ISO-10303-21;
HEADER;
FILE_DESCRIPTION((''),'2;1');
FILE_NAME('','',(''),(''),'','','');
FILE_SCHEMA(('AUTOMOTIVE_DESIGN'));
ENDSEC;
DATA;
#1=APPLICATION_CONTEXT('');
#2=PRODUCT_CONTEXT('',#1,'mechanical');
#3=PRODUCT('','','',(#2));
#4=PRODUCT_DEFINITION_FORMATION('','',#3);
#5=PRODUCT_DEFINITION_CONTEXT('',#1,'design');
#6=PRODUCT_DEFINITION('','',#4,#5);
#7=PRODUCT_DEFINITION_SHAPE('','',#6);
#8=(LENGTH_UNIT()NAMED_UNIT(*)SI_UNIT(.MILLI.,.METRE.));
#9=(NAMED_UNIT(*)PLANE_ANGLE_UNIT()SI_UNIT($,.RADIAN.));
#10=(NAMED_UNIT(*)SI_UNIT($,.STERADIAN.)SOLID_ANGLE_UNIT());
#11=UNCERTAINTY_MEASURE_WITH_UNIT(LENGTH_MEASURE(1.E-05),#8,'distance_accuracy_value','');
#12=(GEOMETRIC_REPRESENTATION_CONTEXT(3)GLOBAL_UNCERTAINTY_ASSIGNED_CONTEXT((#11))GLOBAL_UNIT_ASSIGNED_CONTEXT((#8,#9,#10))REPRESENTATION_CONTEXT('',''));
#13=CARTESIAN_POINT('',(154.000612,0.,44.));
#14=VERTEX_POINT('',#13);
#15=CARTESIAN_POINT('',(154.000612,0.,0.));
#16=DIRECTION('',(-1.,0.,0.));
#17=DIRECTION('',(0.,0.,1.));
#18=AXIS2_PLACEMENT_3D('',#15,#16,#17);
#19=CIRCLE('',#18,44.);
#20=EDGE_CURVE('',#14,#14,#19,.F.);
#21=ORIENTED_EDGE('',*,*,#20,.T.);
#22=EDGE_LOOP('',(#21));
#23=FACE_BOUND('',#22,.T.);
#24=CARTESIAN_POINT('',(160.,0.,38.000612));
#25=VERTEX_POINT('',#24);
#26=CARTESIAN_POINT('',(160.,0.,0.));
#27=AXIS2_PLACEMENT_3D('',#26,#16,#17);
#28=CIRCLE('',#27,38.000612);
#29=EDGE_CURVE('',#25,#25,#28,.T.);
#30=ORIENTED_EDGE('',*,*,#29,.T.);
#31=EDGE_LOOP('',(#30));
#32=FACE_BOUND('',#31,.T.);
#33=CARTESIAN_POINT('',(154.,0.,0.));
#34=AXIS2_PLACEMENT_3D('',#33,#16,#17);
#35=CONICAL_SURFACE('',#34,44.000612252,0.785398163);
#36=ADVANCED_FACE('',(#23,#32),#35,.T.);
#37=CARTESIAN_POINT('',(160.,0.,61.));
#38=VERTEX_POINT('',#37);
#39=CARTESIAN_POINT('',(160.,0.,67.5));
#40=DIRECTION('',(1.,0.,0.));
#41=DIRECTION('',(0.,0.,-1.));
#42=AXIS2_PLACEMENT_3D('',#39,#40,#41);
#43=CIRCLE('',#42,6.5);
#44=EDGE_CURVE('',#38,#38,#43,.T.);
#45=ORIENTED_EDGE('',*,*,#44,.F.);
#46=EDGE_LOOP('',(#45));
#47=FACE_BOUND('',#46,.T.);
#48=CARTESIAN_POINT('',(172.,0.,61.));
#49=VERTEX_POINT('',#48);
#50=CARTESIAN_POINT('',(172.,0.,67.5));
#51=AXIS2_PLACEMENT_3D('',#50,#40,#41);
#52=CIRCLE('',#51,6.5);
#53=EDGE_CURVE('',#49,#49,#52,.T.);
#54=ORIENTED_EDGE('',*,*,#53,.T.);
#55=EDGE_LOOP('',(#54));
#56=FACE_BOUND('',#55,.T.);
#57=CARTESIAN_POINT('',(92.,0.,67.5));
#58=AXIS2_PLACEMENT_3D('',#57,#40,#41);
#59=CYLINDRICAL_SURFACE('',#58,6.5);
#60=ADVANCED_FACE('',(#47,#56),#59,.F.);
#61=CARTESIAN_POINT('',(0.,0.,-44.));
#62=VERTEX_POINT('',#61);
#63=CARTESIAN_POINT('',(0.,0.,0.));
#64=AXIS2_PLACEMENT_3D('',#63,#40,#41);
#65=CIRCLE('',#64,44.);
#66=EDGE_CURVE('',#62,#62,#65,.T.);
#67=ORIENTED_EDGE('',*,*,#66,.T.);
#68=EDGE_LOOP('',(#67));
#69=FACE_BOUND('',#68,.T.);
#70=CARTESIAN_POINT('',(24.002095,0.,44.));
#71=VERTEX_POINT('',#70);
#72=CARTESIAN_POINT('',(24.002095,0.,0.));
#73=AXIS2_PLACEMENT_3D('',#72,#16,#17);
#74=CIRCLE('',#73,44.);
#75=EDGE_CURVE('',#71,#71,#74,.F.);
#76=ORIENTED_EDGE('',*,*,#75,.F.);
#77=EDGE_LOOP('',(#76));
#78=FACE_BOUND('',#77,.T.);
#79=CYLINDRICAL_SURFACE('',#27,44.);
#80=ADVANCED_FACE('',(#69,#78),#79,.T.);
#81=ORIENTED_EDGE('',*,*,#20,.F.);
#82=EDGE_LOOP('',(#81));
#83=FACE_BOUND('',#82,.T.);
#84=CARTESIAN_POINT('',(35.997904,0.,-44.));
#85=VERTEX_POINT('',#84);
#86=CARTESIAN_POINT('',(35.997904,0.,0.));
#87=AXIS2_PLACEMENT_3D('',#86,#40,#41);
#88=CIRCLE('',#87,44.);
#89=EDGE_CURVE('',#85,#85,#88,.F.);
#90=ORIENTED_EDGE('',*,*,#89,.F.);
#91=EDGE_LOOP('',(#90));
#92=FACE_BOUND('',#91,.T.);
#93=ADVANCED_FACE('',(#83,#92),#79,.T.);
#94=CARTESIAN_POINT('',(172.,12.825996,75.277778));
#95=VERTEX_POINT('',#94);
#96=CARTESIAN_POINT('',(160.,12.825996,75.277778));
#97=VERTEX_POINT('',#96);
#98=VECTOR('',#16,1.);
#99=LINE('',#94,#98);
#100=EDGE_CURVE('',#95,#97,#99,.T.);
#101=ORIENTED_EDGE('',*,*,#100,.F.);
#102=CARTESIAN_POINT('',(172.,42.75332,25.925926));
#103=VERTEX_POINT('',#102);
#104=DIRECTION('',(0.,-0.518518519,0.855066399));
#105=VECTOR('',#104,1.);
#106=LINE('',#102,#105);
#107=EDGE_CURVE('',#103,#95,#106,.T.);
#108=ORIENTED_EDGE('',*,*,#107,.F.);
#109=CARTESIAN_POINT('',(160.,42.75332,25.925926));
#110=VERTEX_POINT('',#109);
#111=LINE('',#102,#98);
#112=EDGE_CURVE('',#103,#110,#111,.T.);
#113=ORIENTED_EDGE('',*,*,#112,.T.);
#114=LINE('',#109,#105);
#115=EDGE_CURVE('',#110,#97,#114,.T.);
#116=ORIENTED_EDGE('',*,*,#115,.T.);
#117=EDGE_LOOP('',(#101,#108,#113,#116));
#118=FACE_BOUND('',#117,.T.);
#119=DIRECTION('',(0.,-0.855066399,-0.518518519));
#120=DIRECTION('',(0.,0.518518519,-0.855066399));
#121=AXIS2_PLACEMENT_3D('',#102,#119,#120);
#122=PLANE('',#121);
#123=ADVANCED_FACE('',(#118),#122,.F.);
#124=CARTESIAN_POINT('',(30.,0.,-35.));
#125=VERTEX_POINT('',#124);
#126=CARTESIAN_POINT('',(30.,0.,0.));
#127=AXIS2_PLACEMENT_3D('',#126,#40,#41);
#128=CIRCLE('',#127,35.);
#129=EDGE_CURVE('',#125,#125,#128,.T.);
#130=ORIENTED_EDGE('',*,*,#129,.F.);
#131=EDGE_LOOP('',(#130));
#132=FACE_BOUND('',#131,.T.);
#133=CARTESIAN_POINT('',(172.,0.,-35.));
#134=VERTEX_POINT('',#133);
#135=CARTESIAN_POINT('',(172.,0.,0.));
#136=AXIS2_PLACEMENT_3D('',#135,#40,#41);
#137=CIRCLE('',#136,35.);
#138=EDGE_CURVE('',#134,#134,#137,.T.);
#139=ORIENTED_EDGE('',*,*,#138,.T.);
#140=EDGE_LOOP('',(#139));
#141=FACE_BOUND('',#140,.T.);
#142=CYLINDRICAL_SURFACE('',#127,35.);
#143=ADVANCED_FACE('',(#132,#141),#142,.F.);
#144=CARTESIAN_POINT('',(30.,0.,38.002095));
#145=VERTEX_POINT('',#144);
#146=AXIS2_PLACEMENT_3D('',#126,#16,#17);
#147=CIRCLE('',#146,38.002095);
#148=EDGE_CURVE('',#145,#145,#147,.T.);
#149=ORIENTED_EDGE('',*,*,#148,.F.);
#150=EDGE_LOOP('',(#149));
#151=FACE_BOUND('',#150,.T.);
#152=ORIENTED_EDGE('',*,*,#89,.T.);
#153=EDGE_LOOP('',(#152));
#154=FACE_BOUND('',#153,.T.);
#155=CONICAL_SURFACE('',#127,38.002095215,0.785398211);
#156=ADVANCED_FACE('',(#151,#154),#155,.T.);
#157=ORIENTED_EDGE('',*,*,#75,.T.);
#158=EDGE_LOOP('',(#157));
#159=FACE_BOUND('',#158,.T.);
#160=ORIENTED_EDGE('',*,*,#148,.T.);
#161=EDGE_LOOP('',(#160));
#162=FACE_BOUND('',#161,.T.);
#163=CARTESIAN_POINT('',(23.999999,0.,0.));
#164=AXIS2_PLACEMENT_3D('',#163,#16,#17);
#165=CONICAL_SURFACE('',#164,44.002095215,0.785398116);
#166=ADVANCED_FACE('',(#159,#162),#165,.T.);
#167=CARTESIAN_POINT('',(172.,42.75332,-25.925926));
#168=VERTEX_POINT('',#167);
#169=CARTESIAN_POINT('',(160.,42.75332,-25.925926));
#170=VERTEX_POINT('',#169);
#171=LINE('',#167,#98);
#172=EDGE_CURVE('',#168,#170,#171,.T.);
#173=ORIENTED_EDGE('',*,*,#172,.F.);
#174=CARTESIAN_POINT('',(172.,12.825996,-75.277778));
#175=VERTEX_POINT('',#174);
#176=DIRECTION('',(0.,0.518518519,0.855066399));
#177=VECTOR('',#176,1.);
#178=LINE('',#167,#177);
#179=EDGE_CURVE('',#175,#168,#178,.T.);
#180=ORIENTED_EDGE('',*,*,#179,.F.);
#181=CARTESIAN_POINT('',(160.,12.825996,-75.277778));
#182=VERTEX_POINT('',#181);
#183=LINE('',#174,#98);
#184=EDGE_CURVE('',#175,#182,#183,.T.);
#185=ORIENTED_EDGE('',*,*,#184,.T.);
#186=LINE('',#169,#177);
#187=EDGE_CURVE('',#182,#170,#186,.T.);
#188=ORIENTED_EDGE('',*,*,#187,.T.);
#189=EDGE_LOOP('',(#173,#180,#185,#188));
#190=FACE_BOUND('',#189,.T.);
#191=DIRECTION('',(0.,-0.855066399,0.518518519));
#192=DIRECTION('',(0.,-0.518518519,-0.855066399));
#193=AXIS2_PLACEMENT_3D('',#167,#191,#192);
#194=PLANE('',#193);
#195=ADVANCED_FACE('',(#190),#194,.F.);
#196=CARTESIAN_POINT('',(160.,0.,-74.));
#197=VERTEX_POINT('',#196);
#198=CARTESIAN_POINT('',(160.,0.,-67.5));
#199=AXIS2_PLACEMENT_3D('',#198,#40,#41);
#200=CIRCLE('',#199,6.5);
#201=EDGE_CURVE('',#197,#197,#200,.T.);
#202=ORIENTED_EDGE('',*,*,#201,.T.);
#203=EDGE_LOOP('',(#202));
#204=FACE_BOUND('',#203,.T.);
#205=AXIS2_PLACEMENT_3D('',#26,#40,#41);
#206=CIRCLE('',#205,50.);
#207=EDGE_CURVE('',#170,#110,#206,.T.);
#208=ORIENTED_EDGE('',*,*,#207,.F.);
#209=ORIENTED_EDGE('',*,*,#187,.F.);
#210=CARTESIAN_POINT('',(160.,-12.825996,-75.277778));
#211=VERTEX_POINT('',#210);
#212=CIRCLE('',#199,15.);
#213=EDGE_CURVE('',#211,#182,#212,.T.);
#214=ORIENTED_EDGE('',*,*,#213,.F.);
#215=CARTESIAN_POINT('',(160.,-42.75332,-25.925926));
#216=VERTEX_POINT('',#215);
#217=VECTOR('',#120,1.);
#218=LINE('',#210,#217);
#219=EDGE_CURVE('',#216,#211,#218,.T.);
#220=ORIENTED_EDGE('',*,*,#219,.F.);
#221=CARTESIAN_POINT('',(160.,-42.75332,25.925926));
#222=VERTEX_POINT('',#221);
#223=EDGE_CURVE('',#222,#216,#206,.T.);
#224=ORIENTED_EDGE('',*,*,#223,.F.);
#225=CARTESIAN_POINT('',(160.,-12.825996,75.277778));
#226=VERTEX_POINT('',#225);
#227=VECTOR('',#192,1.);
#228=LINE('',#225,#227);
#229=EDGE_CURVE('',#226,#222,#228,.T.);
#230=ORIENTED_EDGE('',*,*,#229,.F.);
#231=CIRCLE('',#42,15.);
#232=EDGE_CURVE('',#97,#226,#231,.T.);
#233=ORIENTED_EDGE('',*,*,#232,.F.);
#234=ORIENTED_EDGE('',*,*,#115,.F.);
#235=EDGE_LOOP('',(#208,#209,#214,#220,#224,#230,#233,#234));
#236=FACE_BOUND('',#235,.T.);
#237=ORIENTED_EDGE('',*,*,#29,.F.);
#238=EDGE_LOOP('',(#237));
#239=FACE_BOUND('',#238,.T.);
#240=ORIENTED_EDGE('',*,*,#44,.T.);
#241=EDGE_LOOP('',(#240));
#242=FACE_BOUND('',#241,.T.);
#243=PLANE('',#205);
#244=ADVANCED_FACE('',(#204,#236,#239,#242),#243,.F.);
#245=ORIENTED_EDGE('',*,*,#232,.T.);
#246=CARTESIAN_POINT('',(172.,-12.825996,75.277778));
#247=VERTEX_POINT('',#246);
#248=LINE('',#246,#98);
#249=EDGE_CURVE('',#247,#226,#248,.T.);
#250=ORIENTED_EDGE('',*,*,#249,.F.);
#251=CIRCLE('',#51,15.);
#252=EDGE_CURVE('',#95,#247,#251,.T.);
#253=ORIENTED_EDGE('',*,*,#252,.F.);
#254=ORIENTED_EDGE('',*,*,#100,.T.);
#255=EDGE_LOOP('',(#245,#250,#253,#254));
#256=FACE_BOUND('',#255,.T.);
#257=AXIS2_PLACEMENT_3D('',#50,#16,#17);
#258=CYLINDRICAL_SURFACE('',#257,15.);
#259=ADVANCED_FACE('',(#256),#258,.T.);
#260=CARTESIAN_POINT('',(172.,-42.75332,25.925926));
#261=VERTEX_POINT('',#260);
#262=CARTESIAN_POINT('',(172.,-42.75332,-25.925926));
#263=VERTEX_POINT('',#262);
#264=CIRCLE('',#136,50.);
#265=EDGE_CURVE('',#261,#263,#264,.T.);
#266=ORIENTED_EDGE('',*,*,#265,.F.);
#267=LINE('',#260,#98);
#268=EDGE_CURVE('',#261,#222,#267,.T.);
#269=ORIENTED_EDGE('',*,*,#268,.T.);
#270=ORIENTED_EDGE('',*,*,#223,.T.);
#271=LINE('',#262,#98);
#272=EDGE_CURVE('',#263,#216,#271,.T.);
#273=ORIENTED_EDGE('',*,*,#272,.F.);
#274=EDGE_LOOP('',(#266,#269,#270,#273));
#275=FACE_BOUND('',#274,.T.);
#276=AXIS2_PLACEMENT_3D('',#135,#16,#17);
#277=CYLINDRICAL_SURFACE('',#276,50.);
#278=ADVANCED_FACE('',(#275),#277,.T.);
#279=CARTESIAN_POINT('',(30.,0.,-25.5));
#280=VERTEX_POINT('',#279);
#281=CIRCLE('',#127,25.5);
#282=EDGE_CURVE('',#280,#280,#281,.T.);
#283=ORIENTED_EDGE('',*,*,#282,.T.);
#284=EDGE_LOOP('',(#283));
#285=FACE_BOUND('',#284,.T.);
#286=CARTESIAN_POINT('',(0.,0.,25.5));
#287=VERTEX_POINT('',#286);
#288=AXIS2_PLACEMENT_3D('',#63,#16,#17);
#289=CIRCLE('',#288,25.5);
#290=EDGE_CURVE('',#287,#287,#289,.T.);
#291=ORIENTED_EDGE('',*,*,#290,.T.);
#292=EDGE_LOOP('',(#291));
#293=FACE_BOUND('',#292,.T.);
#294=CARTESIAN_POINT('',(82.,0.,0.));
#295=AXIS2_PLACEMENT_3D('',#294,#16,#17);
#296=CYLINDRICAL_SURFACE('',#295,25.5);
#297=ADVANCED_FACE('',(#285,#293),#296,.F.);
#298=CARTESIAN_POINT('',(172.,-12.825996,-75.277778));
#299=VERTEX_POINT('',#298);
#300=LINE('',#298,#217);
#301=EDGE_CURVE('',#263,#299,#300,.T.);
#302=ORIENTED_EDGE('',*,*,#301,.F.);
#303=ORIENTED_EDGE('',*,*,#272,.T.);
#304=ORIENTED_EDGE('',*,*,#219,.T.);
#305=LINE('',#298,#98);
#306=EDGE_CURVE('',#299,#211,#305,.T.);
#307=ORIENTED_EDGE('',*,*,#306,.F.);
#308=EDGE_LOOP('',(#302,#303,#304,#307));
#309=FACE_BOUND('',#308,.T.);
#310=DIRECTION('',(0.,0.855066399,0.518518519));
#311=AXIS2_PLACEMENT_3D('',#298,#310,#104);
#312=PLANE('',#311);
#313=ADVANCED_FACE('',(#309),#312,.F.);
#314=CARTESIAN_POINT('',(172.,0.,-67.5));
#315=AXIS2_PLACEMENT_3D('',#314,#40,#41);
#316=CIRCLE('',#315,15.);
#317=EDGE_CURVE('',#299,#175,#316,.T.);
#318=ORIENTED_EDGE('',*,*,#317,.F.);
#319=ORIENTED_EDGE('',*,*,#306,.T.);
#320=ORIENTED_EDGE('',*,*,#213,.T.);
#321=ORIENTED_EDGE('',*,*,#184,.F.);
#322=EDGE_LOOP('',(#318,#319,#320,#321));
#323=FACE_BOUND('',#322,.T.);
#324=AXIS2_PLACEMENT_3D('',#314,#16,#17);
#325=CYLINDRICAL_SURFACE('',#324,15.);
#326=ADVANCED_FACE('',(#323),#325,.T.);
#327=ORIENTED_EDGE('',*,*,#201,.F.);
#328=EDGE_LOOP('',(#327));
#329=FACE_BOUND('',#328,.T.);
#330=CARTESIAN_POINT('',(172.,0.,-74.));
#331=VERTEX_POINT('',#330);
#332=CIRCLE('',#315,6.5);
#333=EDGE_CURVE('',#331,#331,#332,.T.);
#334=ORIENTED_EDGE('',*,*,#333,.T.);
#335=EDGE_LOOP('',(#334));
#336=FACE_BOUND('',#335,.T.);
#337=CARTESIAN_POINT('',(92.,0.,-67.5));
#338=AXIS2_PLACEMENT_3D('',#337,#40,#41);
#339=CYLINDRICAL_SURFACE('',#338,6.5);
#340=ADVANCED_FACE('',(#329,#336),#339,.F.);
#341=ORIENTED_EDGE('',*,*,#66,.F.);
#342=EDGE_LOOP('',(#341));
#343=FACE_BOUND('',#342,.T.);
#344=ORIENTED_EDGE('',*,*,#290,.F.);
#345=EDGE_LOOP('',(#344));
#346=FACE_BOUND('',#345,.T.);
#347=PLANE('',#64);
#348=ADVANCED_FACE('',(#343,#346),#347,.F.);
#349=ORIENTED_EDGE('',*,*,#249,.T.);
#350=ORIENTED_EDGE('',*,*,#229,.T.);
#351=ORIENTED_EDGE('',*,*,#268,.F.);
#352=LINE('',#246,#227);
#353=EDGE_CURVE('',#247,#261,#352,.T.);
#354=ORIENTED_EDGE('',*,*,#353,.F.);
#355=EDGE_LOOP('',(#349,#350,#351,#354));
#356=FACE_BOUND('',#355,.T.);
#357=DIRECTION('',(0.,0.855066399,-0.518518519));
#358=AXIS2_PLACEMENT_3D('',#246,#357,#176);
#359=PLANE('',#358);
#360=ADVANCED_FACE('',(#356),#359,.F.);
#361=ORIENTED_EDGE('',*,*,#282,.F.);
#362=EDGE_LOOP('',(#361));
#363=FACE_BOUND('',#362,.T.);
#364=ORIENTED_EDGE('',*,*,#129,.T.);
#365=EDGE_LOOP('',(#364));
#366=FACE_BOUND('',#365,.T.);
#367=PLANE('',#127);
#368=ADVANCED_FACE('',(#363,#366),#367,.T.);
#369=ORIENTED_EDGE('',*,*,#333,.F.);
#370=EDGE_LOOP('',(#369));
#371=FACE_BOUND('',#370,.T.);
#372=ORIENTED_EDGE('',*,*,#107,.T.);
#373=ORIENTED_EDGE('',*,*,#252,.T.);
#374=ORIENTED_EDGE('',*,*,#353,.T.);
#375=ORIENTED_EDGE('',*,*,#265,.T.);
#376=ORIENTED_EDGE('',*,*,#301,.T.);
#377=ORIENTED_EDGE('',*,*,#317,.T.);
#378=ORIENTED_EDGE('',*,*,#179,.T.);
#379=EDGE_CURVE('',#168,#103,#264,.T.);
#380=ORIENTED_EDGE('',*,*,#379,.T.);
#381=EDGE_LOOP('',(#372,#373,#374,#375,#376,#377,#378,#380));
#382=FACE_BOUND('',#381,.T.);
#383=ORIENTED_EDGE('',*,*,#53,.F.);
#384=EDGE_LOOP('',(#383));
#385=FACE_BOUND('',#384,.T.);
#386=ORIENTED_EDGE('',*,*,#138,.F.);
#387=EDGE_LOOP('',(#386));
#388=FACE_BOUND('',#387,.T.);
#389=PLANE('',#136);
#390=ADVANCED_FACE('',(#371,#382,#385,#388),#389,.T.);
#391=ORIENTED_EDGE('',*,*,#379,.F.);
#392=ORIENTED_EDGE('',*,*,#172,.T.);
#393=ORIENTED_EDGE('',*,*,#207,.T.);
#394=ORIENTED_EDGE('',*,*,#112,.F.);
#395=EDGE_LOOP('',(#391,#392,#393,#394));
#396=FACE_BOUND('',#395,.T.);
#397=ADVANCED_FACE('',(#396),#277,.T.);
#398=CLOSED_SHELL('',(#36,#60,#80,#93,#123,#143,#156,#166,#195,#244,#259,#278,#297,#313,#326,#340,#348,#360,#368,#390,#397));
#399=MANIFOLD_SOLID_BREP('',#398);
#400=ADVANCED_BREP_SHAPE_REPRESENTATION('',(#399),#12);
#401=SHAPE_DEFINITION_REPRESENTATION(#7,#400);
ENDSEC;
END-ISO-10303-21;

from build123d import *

# Parameters (mm, degrees)
SKETCH1_R           = 44
BOSS_EXTRUDE1_DEPTH = 160
BOSS_EXTRUDE2_DEPTH = 12
SKETCH5_R           = 6.5
CUT_EXTRUDE3_DEPTH  = 80
SKETCH6_R           = 35
CUT_EXTRUDE4_DEPTH  = 142
SKETCH7_R           = 25.5
CUT_EXTRUDE5_DEPTH  = 82


with BuildPart() as part:
    # Sketch1 → Boss-Extrude1 (new body)
    with BuildSketch(Plane(origin=(0, 0, 0), x_dir=(0, 0, -1), z_dir=(1, 0, 0))):
        Circle(SKETCH1_R)
    extrude(amount=BOSS_EXTRUDE1_DEPTH)

    # Sketch2 → Boss-Extrude2 (add)
    with BuildSketch(Plane(origin=(160, 0, 0), x_dir=(0, 0, -1), z_dir=(1, 0, 0))):
        with BuildLine():
            Line((-25.925925926, 42.753319928), (-75.277777778, 12.825995978))
            ThreePointArc((-75.277777778, 12.825995978), (-82.5, 0), (-75.277777778, -12.825995978))
            Line((-75.277777778, -12.825995978), (-25.925925926, -42.753319928))
            ThreePointArc((-25.925925926, -42.753319928), (0, -50), (25.925925926, -42.753319928))
            Line((25.925925926, -42.753319928), (75.277777778, -12.825995978))
            ThreePointArc((75.277777778, -12.825995978), (82.5, 0), (75.277777778, 12.825995978))
            Line((75.277777778, 12.825995978), (25.925925926, 42.753319928))
            ThreePointArc((25.925925926, 42.753319928), (0, 50), (-25.925925926, 42.753319928))
        make_face()
    extrude(amount=BOSS_EXTRUDE2_DEPTH)

    # Sketch5 → Cut-Extrude3 (cut)
    with BuildSketch(Plane(origin=(172, 0, 0), x_dir=(0, 0, -1), z_dir=(1, 0, 0))):
        with Locations((67.5, 0)):
            Circle(SKETCH5_R)
        with Locations((-67.5, 0)):
            Circle(SKETCH5_R)
    extrude(amount=-CUT_EXTRUDE3_DEPTH, mode=Mode.SUBTRACT)

    # Sketch6 → Cut-Extrude4 (cut)
    with BuildSketch(Plane(origin=(172, 0, 0), x_dir=(0, 0, -1), z_dir=(1, 0, 0))):
        Circle(SKETCH6_R)
    extrude(amount=-CUT_EXTRUDE4_DEPTH, mode=Mode.SUBTRACT)

    # Sketch7 → Cut-Extrude5 (cut)
    with BuildSketch(Plane.ZY):
        Circle(SKETCH7_R)
    extrude(amount=-CUT_EXTRUDE5_DEPTH, mode=Mode.SUBTRACT)

    # Sketch9 → Cut-Revolve1 (revolve, cut)
    with BuildSketch(Plane(origin=(0, 0, 0), x_dir=(1, 0, 0), z_dir=(0, 1, 0)), mode=Mode.PRIVATE) as cut_revolve1_sk:
        Polygon((30, 38.002095215), (23.999999428, 44.002095215), (35.999999428, 44.002095215), align=None)
        Polygon((160, 44.000612252), (160, 38.000612252), (154, 44.000612252), align=None)
    revolve(cut_revolve1_sk.sketch.rotate(Axis((0, 0, 0), (1, 0, 0)), 180), axis=Axis((0, 0, 0), (1, 0, 0)), mode=Mode.SUBTRACT)


solid = part.part
